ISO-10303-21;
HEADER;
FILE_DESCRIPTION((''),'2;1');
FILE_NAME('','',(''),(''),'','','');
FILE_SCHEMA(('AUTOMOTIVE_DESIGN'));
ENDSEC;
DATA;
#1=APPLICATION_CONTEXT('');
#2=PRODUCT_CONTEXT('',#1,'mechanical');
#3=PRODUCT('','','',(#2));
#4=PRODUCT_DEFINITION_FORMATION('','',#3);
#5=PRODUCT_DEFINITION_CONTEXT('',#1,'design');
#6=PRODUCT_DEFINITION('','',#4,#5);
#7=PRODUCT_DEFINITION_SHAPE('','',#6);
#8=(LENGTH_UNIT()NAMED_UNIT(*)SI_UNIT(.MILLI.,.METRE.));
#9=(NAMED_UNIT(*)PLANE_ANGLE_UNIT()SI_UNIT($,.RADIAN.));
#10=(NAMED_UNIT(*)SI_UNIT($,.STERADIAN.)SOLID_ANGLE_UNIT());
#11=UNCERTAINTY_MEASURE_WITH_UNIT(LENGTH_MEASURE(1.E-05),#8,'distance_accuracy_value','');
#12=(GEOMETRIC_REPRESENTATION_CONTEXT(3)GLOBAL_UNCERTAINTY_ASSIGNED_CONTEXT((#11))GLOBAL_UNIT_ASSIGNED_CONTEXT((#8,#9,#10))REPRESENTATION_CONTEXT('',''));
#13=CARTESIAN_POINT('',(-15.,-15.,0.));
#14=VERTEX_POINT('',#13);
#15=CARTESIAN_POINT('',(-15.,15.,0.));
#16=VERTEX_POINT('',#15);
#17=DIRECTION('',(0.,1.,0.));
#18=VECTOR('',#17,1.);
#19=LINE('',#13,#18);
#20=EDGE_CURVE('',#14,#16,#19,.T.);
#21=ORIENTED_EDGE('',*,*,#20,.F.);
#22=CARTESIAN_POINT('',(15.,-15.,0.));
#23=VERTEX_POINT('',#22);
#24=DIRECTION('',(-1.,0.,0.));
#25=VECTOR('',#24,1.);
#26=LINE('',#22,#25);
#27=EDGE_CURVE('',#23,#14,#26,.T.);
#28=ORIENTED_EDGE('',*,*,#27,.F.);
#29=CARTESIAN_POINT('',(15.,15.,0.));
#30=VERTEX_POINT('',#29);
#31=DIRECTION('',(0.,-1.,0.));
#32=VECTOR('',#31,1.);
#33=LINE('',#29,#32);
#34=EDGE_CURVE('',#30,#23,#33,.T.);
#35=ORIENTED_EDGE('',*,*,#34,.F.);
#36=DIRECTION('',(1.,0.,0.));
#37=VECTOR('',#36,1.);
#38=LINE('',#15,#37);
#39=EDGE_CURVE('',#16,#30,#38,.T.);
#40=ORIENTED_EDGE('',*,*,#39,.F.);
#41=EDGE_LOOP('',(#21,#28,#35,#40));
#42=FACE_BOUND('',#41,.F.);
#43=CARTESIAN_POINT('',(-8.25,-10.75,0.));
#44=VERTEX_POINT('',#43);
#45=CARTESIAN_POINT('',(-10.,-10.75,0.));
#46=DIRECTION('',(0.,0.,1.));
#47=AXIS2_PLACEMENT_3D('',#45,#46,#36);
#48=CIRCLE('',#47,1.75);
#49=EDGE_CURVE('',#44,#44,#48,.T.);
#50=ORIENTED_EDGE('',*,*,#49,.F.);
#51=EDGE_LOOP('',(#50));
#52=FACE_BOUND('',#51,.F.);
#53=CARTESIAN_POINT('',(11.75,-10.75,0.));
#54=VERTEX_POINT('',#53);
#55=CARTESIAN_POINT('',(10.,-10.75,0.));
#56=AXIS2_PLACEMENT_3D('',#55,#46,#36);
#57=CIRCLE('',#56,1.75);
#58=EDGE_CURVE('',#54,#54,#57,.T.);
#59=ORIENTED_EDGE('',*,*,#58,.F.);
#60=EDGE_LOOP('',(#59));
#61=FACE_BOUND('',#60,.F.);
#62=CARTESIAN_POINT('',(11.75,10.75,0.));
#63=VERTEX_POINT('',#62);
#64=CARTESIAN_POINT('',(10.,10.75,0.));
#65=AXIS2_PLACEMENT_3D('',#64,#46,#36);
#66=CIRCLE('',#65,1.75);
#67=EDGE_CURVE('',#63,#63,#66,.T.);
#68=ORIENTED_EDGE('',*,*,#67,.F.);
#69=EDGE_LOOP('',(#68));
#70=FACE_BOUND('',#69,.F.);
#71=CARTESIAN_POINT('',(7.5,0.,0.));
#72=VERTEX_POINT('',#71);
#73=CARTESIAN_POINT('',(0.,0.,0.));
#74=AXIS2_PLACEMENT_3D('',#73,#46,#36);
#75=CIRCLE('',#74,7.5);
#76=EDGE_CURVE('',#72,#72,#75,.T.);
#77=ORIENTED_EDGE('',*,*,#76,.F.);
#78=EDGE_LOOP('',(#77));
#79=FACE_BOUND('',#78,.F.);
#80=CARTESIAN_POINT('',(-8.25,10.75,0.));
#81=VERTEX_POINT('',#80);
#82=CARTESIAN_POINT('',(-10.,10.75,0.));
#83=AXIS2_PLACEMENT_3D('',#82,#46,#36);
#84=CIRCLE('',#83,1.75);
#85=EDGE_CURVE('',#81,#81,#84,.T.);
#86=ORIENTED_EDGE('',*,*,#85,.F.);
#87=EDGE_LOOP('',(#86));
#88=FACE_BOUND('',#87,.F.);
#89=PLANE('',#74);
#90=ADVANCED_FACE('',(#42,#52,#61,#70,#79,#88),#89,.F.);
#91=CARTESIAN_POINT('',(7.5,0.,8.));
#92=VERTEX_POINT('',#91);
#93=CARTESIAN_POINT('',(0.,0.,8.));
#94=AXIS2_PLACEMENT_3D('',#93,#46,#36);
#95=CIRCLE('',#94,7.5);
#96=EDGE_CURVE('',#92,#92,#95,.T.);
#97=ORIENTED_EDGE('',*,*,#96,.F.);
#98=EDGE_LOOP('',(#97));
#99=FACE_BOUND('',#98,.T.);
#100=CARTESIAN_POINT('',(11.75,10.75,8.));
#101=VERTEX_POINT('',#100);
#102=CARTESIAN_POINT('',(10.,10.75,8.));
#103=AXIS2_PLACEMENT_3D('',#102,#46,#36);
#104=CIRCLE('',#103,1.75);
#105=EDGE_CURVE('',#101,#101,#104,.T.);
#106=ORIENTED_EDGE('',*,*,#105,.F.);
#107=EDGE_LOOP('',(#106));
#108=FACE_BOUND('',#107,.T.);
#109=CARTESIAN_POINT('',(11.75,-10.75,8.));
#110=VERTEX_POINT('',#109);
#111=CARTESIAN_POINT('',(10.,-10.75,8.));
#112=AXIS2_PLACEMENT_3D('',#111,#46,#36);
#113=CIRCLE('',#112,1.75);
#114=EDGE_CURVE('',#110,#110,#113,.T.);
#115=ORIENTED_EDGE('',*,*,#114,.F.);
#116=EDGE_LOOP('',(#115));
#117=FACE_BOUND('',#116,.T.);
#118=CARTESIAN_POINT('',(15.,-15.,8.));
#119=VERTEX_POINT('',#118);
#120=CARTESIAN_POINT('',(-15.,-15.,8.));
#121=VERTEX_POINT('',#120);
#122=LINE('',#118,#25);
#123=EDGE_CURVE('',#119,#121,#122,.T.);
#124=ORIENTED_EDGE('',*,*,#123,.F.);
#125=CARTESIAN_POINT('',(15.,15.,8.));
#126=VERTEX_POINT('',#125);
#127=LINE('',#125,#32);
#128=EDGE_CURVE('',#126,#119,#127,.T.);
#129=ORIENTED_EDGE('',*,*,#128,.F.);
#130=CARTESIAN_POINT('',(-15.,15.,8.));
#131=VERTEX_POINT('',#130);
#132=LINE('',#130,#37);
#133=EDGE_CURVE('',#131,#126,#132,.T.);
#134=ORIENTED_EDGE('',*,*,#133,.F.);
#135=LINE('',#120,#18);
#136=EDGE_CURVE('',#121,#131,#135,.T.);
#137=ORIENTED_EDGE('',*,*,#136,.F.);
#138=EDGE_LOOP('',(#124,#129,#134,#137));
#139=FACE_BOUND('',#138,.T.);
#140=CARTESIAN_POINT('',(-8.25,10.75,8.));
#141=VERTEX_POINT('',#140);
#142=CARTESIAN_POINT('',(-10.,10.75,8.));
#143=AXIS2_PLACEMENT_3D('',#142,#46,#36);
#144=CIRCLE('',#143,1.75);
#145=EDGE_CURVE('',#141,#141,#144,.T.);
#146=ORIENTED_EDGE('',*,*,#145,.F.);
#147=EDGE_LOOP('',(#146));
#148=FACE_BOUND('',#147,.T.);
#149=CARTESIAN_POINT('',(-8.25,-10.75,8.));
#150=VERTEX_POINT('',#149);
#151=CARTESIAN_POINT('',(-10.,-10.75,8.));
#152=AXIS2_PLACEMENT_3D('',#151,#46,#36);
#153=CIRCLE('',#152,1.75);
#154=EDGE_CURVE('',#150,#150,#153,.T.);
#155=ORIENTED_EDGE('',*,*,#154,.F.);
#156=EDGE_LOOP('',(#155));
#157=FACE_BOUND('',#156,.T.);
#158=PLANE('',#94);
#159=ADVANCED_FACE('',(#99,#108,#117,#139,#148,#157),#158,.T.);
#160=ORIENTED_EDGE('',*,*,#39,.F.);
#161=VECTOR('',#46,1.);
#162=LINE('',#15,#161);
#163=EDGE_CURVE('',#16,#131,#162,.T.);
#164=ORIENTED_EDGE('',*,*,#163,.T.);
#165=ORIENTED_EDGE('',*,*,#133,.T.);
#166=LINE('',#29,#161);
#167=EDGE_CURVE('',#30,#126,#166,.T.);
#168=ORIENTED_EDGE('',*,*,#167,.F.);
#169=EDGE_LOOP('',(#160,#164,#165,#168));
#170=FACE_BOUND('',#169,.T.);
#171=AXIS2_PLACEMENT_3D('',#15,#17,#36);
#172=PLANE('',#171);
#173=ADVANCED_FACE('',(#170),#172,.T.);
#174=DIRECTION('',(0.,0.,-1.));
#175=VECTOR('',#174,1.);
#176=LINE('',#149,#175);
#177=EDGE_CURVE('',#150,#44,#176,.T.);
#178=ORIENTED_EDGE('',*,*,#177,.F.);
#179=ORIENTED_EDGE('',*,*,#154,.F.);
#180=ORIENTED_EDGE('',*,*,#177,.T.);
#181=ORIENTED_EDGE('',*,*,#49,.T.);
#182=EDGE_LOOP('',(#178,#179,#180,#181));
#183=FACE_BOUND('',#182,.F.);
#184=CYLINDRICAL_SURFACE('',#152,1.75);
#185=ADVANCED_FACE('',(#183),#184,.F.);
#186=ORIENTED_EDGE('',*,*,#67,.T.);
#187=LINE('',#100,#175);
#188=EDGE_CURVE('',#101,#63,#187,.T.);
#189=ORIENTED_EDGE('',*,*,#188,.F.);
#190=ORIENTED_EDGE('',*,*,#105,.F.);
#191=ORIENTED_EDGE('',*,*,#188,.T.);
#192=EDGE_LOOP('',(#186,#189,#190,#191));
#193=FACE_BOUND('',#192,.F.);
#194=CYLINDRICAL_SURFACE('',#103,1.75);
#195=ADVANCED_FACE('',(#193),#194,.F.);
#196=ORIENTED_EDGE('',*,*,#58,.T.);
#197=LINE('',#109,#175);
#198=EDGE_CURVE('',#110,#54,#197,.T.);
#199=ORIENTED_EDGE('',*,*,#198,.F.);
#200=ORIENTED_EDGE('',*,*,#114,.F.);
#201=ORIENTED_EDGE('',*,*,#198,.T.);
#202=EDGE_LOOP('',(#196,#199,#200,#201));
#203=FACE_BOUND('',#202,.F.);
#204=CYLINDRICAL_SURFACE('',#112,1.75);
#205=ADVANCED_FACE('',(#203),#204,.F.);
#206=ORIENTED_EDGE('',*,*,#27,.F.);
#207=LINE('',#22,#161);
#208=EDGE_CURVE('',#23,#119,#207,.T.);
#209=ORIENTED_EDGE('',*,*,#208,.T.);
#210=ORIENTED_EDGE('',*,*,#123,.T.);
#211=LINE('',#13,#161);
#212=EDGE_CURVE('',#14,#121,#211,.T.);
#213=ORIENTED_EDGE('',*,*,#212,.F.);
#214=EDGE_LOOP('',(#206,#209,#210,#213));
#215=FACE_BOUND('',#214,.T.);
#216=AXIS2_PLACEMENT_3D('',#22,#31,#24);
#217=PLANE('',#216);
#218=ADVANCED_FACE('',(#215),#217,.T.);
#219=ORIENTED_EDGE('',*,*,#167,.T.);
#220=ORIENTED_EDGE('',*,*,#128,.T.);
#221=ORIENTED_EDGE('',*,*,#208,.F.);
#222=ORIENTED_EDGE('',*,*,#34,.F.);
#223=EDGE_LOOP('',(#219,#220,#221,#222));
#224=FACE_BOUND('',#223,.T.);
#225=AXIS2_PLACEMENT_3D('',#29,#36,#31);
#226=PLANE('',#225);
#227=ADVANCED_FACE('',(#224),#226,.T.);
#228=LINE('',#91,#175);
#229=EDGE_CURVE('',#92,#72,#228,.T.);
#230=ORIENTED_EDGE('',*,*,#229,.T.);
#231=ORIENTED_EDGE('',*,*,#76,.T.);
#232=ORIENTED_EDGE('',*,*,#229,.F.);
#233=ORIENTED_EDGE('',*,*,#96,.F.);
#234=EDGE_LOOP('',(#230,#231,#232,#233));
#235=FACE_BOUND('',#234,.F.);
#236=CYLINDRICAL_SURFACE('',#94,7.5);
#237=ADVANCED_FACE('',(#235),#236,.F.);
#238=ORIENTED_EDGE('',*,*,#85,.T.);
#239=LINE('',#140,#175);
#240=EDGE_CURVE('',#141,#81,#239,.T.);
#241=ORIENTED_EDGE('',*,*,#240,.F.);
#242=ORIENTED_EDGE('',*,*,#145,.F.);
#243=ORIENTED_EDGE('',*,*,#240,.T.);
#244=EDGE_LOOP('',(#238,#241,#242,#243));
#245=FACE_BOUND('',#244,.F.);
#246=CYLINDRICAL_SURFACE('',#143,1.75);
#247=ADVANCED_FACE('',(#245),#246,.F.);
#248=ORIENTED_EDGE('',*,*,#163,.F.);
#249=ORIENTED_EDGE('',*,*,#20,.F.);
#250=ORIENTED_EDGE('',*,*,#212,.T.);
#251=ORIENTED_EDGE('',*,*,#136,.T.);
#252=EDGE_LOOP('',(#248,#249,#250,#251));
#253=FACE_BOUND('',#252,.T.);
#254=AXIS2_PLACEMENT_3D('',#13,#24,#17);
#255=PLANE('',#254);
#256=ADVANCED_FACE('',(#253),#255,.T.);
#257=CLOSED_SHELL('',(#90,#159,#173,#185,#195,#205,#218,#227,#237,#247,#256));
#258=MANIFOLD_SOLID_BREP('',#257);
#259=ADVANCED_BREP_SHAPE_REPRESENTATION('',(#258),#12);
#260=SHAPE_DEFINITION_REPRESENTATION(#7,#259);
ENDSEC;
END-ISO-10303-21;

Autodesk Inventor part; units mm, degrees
ref_plane "YZ Plane" through (0, 0, 0) normal (1, 0, 0) x (0, 1, 0)
ref_plane "XZ Plane" through (0, 0, 0) normal (0, 1, 0) x (-1, 0, 0)
ref_plane "XY Plane" through (0, 0, 0) normal (0, 0, 1) x (1, 0, 0)
sketch "Sketch1" plane through (0, 0, 0) normal (0, 0, 1) x (1, 0, 0)
  line L0 (-15, 15) -> (15, 15)
  line L1 (15, 15) -> (15, -15)
  line L2 (15, -15) -> (-15, -15)
  line L3 (-15, -15) -> (-15, 15)
  point P0 (0, 0)
  point P1 (0, 15)
  point P2 (-15, 0)
  dimension "d0" = 30
  dimension "d1" = 30
extrude "Extrusion1" add sketch "Sketch1" along normal blind 8
sketch "Sketch2" plane through (0, 0, 8) normal (0, 0, 1) x (1, 0, 0)
  circle A0 centre (0, 0) radius 7.5
  line L0 (15, 15) -> (-15, 15) projected
  line L1 (-15, 15) -> (-15, -15) projected
  point P0 (0, 15)
  point P1 (-15, 0)
  dimension "d17" = 15
extrude "Extrusion2" cut sketch "Sketch2" against normal through all
sketch "Sketch3" plane through (0, 0, 8) normal (0, 0, 1) x (1, 0, 0)
  circle A0 centre (10, -10.75) radius 1.75
  circle A1 centre (10, 10.75) radius 1.75
  line L0 (15, 15) -> (-15, 15) projected
  line L1 (15, -15) -> (15, 15) projected
  circle A2 centre (-10, -10.75) radius 1.75
  circle A3 centre (-10, 10.75) radius 1.75
  line L2 (-15, 15) -> (-15, -15) projected
  line L3 (-15, -15) -> (15, -15) projected
  line L4 (10, 10.75) -> (-10, 10.75) construction
  line L5 (-10, 10.75) -> (-10, -10.75) construction
  line L6 (-10, -10.75) -> (10, -10.75) construction
  line L7 (10, -10.75) -> (10, 10.75) construction
  point P0 (0, 0)
  point P1 (10, 0)
  point P2 (0, 10.75)
  dimension "d9" = 3.5
  dimension "d19" = 10.75
  dimension "d20" = 10.75
  dimension "d21" = 20
  dimension "d22" = 21.5
extrude "Extrusion3" cut sketch "Sketch3" against normal through all contours A0 | A1 | A2 | A3
properties part number "0005-10-006 Capac rulment"
